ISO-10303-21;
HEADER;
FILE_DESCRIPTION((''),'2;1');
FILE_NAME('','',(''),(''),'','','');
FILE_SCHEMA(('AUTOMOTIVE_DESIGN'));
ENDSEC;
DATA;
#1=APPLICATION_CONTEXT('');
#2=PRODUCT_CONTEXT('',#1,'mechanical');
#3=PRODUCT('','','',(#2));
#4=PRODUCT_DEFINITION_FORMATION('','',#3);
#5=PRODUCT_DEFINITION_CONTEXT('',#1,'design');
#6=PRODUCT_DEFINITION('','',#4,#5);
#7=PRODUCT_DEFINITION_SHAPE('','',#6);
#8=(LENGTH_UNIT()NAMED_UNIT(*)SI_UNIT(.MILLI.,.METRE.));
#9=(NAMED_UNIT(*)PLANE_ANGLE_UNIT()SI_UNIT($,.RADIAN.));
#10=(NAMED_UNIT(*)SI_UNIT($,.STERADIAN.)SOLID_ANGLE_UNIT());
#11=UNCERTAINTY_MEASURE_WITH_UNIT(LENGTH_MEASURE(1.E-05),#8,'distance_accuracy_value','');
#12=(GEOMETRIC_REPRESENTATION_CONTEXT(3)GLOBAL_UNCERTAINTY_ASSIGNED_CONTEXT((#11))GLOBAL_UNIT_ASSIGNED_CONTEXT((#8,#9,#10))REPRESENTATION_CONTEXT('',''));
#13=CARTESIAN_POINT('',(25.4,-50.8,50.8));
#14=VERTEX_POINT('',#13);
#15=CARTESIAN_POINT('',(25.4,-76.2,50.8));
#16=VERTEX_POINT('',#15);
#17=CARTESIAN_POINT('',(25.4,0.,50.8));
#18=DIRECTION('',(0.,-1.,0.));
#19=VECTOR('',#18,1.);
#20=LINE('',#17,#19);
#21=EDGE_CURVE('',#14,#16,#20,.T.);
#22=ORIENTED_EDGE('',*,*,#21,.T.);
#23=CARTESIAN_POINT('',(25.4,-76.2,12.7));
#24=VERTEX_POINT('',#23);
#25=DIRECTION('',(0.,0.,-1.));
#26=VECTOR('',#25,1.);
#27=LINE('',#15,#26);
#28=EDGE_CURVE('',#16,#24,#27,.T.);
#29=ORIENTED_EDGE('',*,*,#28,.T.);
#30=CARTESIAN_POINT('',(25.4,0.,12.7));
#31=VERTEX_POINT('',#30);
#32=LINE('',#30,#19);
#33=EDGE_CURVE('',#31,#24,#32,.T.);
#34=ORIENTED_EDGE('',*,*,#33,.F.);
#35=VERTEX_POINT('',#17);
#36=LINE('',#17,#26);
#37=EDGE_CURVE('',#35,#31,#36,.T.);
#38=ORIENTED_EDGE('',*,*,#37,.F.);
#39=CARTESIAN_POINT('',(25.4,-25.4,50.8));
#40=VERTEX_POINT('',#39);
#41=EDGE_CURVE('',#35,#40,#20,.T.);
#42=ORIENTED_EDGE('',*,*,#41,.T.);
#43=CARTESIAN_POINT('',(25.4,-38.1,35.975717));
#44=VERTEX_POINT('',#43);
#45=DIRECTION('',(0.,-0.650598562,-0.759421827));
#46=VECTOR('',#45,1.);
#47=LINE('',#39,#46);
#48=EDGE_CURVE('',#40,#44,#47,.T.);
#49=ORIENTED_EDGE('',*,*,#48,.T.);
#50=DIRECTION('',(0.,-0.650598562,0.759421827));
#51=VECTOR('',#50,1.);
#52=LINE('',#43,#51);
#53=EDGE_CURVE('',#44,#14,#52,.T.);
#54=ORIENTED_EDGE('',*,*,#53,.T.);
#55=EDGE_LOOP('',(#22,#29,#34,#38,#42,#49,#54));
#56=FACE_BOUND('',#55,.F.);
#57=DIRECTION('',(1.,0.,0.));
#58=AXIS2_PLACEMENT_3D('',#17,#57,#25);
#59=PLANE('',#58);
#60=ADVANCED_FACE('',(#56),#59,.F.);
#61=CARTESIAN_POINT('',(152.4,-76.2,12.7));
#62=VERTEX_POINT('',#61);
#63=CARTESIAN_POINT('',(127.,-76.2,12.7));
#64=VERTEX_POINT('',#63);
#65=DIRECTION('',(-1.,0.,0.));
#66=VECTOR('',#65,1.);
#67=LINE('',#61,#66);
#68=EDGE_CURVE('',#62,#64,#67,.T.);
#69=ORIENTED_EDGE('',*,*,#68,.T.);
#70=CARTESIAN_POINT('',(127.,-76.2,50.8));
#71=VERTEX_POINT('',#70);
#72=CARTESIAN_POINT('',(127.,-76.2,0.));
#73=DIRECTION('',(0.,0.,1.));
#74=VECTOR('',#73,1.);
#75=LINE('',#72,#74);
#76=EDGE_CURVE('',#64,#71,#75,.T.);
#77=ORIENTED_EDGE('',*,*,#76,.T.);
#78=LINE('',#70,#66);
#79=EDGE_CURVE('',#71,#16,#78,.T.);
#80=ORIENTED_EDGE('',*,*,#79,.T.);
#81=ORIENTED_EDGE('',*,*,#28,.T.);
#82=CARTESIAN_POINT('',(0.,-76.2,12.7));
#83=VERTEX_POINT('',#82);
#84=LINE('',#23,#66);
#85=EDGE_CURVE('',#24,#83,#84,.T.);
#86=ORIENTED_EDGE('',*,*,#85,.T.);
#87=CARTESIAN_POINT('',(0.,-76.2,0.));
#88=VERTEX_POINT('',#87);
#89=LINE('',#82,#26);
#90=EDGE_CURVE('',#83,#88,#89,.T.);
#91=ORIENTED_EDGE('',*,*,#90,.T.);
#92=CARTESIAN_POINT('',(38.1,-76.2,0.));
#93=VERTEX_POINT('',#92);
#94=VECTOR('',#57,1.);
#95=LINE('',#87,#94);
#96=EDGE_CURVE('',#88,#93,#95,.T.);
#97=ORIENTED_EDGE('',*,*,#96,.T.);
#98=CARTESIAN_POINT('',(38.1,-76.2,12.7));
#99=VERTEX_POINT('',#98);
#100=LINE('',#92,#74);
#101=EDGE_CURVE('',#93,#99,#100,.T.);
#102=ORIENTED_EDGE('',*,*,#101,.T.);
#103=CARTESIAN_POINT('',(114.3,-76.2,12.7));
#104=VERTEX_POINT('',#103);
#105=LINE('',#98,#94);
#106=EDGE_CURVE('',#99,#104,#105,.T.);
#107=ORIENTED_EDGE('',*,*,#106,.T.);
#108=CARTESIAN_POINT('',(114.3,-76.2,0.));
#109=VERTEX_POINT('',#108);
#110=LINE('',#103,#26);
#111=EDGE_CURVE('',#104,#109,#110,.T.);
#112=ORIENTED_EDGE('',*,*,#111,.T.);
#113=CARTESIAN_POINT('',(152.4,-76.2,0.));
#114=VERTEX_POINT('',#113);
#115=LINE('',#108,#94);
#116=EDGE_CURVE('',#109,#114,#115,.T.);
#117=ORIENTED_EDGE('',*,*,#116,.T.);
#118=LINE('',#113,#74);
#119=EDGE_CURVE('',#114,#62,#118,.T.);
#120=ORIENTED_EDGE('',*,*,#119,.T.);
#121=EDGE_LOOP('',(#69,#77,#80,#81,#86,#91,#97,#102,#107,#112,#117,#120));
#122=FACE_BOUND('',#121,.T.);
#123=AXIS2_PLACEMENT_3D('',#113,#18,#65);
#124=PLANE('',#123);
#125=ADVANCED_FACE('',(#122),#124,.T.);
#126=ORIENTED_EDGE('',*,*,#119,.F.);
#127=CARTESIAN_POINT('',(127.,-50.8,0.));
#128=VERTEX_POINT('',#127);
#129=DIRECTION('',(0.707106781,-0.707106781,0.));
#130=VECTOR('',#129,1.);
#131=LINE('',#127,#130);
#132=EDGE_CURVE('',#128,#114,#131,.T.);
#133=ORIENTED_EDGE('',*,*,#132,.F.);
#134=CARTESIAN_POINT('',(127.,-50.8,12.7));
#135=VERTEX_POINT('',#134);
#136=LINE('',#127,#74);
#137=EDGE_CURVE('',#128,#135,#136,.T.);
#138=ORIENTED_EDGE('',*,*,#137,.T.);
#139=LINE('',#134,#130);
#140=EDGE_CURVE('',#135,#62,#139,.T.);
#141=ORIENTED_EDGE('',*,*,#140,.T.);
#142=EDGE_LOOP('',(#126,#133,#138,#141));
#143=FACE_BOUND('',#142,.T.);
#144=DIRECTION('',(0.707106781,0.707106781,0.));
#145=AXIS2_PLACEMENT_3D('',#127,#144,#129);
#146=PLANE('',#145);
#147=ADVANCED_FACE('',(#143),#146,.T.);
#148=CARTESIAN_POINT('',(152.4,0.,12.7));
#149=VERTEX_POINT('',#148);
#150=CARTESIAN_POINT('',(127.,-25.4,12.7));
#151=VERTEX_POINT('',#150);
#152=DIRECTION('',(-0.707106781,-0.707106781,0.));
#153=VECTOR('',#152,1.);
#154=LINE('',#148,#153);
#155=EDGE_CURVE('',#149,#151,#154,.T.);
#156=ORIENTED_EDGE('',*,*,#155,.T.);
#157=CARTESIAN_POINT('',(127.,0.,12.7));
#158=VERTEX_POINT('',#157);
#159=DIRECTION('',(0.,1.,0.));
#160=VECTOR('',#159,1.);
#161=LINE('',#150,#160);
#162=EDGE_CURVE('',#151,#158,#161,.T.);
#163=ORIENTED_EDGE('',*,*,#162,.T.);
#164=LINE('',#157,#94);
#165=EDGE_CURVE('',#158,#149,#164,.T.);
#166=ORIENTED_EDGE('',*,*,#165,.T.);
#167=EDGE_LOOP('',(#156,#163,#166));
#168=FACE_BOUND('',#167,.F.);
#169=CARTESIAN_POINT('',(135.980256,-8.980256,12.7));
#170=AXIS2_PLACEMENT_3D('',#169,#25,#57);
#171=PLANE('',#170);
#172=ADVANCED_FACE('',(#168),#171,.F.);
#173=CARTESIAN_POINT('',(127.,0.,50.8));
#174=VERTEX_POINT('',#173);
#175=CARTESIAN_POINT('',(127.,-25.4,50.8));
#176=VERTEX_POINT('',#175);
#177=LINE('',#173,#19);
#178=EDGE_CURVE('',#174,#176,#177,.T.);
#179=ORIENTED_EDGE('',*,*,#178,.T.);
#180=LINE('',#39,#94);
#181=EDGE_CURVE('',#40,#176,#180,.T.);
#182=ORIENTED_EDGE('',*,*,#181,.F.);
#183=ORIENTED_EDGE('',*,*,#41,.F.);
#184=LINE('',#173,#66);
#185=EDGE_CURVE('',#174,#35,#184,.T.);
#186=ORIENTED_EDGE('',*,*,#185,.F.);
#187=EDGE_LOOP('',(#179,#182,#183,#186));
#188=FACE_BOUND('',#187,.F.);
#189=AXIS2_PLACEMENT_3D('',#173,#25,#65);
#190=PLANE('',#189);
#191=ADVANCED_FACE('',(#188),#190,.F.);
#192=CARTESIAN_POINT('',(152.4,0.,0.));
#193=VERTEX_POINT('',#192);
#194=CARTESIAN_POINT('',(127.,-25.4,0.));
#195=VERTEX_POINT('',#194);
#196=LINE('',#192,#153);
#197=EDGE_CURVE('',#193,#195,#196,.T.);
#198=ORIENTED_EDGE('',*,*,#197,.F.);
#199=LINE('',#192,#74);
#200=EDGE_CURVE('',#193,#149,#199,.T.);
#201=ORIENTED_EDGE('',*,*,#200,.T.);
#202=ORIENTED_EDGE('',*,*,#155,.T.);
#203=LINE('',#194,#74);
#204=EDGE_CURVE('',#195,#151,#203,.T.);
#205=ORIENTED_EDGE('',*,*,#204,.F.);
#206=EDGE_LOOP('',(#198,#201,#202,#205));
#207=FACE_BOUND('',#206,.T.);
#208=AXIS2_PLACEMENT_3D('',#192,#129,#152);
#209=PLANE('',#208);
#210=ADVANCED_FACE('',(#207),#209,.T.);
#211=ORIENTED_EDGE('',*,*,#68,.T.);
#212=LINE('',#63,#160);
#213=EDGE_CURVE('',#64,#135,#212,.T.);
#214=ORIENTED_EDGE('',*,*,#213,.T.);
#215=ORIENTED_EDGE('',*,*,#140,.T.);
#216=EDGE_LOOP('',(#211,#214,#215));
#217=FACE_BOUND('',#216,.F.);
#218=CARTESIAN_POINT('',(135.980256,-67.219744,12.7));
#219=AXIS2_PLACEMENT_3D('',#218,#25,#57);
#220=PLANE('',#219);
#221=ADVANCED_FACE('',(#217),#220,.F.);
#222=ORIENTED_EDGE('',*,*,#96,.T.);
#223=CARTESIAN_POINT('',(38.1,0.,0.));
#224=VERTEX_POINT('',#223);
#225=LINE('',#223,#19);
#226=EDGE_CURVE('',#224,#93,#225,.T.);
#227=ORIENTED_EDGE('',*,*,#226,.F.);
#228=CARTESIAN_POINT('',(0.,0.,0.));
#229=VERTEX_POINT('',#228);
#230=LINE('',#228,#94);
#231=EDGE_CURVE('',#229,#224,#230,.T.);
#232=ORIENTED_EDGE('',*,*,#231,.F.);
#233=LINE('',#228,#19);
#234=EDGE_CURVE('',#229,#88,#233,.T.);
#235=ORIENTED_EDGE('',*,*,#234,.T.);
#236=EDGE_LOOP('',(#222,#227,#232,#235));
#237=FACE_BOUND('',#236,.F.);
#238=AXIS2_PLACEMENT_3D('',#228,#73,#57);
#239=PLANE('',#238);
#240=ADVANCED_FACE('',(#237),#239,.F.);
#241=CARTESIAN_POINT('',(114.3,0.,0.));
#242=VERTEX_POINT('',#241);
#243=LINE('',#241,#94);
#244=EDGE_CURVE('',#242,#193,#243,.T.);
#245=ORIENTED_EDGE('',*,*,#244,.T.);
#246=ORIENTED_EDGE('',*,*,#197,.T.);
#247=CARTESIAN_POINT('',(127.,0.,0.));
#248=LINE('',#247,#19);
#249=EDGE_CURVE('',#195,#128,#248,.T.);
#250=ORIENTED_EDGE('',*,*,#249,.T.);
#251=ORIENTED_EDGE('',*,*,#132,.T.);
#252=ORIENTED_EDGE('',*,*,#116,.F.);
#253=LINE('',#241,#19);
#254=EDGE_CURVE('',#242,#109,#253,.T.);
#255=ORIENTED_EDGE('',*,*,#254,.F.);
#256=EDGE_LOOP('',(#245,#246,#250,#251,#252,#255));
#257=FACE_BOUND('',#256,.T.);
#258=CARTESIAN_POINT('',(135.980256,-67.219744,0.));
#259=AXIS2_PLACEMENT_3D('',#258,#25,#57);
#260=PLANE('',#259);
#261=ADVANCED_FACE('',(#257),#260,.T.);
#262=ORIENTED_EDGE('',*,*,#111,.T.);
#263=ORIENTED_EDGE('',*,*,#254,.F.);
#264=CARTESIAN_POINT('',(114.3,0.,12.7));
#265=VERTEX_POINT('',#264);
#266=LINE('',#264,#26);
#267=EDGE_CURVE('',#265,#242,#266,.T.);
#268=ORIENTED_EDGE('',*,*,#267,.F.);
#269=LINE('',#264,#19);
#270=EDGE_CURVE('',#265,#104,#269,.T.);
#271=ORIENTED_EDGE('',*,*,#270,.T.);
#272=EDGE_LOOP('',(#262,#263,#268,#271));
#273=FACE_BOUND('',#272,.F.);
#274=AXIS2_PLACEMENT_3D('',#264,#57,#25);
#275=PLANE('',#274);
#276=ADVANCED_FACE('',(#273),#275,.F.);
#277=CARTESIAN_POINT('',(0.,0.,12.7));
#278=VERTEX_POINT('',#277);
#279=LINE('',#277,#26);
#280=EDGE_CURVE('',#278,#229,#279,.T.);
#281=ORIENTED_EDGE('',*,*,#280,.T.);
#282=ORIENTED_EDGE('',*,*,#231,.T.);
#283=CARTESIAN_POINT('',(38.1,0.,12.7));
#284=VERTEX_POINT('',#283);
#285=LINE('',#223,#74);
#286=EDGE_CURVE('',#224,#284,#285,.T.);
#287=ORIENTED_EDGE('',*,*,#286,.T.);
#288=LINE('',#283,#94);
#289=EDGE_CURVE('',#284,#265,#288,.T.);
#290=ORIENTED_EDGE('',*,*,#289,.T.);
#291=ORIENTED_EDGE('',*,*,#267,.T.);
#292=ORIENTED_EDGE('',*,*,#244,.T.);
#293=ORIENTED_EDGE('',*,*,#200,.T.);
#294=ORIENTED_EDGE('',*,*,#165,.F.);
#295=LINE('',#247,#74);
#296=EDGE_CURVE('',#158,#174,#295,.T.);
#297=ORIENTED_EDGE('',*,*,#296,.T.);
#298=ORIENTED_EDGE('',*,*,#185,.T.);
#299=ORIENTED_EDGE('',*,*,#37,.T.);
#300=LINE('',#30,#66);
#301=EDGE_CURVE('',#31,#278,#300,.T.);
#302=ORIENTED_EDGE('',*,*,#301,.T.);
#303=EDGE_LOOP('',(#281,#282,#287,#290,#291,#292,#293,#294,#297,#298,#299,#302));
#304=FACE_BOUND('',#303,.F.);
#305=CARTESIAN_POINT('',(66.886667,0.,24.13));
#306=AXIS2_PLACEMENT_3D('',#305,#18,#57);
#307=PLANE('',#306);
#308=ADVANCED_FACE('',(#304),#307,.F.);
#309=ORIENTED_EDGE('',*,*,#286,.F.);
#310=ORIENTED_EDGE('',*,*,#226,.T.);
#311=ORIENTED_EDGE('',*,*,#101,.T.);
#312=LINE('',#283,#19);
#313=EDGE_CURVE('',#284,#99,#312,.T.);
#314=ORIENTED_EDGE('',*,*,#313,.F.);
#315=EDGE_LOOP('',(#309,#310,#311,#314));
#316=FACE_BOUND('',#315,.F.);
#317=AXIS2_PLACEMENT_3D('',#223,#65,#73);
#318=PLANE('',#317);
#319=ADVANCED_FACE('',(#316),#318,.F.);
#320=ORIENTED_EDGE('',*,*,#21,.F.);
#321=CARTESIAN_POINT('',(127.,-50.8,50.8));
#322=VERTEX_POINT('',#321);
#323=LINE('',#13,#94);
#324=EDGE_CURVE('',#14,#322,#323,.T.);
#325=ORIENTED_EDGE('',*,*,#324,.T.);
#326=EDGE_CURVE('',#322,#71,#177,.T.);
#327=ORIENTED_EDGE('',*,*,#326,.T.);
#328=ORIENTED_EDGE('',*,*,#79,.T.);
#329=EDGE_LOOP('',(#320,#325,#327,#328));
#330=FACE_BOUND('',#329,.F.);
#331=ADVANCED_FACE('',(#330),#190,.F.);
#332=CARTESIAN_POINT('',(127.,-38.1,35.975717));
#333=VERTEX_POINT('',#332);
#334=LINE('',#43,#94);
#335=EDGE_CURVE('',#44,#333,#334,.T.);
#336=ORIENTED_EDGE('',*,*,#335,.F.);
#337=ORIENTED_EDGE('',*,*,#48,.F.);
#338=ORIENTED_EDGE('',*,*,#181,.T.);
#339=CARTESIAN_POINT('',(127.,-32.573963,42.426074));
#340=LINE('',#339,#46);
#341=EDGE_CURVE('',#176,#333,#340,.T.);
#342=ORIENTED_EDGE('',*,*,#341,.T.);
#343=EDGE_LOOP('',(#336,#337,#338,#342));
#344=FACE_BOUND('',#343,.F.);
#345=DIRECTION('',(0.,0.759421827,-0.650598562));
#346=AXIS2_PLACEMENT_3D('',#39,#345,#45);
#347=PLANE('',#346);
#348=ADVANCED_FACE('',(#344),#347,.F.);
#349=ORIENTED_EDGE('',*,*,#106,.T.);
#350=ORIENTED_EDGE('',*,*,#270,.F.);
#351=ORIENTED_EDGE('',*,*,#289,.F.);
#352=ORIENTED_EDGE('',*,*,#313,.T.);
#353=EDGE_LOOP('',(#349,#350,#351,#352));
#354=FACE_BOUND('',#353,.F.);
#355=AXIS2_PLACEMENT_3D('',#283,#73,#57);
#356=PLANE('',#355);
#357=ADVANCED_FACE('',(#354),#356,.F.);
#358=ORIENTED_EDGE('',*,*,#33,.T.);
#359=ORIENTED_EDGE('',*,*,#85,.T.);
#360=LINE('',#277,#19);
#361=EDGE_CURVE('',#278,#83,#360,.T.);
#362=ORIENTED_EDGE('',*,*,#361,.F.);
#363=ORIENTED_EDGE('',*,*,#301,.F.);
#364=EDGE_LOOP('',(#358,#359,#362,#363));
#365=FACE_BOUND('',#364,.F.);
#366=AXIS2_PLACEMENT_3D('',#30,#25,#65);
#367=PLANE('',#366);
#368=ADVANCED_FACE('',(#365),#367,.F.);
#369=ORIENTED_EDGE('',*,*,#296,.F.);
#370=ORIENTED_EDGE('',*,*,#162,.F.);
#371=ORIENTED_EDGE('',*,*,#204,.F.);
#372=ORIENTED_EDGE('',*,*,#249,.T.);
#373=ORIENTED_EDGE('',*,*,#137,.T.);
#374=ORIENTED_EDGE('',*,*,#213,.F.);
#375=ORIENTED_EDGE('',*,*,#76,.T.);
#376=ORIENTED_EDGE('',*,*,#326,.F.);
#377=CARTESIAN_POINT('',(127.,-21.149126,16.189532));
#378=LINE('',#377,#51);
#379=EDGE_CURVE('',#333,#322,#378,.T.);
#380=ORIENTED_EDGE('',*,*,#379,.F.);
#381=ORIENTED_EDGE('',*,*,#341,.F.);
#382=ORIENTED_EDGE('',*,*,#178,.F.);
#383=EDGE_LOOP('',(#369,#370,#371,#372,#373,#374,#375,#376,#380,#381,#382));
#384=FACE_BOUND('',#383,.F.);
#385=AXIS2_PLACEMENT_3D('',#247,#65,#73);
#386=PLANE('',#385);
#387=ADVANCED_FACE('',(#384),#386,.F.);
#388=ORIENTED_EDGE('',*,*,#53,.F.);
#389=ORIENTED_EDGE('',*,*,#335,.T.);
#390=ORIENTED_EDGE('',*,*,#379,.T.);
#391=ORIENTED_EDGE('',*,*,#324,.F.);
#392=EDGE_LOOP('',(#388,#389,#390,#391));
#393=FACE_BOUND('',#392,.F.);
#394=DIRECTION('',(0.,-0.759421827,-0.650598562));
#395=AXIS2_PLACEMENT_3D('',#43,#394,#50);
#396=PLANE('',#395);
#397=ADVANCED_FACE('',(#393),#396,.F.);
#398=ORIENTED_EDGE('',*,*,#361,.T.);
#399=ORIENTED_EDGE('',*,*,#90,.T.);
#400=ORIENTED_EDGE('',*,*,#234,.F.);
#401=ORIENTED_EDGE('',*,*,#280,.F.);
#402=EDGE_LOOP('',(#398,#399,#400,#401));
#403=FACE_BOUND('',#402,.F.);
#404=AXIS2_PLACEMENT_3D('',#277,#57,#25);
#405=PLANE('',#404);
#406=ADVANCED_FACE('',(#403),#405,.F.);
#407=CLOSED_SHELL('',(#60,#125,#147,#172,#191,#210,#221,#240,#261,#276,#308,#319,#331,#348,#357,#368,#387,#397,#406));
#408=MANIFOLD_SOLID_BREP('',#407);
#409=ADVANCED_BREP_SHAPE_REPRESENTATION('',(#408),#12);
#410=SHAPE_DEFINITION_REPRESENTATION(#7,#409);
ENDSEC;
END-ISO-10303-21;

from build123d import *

# Parameters (mm, degrees)
F1_DEPTH = 76.2
F3_DEPTH = 152.4
F5_DEPTH = 12.7


with BuildPart() as f1:
    # F0 (on Front) → F1 (new body)
    with BuildSketch(Plane.XZ):
        Polygon((0, 12.7), (0, 0), (38.1, 0), (38.1, 12.7), (114.3, 12.7), (114.3, 0), (127, 0), (127, 50.8), (25.4, 50.8), (25.4, 12.7), align=None)
    extrude(amount=F1_DEPTH)

    # F2 (on face) → F3 (cut)
    with BuildSketch(Plane(origin=(25.4, 0, 0), x_dir=(0, -1, 0), z_dir=(-1, 0, 0))):
        Polygon((50.8, 50.8), (25.4, 50.8), (38.1, 35.975717), align=None)
    extrude(amount=-F3_DEPTH, mode=Mode.SUBTRACT)

    # F4 (on face) → F5 (join)
    with BuildSketch(Plane(origin=(0, 0, 0), x_dir=(1, 0, 0), z_dir=(0, 0, -1))):
        Polygon((152.4, 76.2), (127, 76.2), (127, 50.8), align=None)
        Polygon((127, 25.4), (127, 0), (152.4, 0), align=None)
    extrude(amount=-F5_DEPTH)


solid = f1.part
